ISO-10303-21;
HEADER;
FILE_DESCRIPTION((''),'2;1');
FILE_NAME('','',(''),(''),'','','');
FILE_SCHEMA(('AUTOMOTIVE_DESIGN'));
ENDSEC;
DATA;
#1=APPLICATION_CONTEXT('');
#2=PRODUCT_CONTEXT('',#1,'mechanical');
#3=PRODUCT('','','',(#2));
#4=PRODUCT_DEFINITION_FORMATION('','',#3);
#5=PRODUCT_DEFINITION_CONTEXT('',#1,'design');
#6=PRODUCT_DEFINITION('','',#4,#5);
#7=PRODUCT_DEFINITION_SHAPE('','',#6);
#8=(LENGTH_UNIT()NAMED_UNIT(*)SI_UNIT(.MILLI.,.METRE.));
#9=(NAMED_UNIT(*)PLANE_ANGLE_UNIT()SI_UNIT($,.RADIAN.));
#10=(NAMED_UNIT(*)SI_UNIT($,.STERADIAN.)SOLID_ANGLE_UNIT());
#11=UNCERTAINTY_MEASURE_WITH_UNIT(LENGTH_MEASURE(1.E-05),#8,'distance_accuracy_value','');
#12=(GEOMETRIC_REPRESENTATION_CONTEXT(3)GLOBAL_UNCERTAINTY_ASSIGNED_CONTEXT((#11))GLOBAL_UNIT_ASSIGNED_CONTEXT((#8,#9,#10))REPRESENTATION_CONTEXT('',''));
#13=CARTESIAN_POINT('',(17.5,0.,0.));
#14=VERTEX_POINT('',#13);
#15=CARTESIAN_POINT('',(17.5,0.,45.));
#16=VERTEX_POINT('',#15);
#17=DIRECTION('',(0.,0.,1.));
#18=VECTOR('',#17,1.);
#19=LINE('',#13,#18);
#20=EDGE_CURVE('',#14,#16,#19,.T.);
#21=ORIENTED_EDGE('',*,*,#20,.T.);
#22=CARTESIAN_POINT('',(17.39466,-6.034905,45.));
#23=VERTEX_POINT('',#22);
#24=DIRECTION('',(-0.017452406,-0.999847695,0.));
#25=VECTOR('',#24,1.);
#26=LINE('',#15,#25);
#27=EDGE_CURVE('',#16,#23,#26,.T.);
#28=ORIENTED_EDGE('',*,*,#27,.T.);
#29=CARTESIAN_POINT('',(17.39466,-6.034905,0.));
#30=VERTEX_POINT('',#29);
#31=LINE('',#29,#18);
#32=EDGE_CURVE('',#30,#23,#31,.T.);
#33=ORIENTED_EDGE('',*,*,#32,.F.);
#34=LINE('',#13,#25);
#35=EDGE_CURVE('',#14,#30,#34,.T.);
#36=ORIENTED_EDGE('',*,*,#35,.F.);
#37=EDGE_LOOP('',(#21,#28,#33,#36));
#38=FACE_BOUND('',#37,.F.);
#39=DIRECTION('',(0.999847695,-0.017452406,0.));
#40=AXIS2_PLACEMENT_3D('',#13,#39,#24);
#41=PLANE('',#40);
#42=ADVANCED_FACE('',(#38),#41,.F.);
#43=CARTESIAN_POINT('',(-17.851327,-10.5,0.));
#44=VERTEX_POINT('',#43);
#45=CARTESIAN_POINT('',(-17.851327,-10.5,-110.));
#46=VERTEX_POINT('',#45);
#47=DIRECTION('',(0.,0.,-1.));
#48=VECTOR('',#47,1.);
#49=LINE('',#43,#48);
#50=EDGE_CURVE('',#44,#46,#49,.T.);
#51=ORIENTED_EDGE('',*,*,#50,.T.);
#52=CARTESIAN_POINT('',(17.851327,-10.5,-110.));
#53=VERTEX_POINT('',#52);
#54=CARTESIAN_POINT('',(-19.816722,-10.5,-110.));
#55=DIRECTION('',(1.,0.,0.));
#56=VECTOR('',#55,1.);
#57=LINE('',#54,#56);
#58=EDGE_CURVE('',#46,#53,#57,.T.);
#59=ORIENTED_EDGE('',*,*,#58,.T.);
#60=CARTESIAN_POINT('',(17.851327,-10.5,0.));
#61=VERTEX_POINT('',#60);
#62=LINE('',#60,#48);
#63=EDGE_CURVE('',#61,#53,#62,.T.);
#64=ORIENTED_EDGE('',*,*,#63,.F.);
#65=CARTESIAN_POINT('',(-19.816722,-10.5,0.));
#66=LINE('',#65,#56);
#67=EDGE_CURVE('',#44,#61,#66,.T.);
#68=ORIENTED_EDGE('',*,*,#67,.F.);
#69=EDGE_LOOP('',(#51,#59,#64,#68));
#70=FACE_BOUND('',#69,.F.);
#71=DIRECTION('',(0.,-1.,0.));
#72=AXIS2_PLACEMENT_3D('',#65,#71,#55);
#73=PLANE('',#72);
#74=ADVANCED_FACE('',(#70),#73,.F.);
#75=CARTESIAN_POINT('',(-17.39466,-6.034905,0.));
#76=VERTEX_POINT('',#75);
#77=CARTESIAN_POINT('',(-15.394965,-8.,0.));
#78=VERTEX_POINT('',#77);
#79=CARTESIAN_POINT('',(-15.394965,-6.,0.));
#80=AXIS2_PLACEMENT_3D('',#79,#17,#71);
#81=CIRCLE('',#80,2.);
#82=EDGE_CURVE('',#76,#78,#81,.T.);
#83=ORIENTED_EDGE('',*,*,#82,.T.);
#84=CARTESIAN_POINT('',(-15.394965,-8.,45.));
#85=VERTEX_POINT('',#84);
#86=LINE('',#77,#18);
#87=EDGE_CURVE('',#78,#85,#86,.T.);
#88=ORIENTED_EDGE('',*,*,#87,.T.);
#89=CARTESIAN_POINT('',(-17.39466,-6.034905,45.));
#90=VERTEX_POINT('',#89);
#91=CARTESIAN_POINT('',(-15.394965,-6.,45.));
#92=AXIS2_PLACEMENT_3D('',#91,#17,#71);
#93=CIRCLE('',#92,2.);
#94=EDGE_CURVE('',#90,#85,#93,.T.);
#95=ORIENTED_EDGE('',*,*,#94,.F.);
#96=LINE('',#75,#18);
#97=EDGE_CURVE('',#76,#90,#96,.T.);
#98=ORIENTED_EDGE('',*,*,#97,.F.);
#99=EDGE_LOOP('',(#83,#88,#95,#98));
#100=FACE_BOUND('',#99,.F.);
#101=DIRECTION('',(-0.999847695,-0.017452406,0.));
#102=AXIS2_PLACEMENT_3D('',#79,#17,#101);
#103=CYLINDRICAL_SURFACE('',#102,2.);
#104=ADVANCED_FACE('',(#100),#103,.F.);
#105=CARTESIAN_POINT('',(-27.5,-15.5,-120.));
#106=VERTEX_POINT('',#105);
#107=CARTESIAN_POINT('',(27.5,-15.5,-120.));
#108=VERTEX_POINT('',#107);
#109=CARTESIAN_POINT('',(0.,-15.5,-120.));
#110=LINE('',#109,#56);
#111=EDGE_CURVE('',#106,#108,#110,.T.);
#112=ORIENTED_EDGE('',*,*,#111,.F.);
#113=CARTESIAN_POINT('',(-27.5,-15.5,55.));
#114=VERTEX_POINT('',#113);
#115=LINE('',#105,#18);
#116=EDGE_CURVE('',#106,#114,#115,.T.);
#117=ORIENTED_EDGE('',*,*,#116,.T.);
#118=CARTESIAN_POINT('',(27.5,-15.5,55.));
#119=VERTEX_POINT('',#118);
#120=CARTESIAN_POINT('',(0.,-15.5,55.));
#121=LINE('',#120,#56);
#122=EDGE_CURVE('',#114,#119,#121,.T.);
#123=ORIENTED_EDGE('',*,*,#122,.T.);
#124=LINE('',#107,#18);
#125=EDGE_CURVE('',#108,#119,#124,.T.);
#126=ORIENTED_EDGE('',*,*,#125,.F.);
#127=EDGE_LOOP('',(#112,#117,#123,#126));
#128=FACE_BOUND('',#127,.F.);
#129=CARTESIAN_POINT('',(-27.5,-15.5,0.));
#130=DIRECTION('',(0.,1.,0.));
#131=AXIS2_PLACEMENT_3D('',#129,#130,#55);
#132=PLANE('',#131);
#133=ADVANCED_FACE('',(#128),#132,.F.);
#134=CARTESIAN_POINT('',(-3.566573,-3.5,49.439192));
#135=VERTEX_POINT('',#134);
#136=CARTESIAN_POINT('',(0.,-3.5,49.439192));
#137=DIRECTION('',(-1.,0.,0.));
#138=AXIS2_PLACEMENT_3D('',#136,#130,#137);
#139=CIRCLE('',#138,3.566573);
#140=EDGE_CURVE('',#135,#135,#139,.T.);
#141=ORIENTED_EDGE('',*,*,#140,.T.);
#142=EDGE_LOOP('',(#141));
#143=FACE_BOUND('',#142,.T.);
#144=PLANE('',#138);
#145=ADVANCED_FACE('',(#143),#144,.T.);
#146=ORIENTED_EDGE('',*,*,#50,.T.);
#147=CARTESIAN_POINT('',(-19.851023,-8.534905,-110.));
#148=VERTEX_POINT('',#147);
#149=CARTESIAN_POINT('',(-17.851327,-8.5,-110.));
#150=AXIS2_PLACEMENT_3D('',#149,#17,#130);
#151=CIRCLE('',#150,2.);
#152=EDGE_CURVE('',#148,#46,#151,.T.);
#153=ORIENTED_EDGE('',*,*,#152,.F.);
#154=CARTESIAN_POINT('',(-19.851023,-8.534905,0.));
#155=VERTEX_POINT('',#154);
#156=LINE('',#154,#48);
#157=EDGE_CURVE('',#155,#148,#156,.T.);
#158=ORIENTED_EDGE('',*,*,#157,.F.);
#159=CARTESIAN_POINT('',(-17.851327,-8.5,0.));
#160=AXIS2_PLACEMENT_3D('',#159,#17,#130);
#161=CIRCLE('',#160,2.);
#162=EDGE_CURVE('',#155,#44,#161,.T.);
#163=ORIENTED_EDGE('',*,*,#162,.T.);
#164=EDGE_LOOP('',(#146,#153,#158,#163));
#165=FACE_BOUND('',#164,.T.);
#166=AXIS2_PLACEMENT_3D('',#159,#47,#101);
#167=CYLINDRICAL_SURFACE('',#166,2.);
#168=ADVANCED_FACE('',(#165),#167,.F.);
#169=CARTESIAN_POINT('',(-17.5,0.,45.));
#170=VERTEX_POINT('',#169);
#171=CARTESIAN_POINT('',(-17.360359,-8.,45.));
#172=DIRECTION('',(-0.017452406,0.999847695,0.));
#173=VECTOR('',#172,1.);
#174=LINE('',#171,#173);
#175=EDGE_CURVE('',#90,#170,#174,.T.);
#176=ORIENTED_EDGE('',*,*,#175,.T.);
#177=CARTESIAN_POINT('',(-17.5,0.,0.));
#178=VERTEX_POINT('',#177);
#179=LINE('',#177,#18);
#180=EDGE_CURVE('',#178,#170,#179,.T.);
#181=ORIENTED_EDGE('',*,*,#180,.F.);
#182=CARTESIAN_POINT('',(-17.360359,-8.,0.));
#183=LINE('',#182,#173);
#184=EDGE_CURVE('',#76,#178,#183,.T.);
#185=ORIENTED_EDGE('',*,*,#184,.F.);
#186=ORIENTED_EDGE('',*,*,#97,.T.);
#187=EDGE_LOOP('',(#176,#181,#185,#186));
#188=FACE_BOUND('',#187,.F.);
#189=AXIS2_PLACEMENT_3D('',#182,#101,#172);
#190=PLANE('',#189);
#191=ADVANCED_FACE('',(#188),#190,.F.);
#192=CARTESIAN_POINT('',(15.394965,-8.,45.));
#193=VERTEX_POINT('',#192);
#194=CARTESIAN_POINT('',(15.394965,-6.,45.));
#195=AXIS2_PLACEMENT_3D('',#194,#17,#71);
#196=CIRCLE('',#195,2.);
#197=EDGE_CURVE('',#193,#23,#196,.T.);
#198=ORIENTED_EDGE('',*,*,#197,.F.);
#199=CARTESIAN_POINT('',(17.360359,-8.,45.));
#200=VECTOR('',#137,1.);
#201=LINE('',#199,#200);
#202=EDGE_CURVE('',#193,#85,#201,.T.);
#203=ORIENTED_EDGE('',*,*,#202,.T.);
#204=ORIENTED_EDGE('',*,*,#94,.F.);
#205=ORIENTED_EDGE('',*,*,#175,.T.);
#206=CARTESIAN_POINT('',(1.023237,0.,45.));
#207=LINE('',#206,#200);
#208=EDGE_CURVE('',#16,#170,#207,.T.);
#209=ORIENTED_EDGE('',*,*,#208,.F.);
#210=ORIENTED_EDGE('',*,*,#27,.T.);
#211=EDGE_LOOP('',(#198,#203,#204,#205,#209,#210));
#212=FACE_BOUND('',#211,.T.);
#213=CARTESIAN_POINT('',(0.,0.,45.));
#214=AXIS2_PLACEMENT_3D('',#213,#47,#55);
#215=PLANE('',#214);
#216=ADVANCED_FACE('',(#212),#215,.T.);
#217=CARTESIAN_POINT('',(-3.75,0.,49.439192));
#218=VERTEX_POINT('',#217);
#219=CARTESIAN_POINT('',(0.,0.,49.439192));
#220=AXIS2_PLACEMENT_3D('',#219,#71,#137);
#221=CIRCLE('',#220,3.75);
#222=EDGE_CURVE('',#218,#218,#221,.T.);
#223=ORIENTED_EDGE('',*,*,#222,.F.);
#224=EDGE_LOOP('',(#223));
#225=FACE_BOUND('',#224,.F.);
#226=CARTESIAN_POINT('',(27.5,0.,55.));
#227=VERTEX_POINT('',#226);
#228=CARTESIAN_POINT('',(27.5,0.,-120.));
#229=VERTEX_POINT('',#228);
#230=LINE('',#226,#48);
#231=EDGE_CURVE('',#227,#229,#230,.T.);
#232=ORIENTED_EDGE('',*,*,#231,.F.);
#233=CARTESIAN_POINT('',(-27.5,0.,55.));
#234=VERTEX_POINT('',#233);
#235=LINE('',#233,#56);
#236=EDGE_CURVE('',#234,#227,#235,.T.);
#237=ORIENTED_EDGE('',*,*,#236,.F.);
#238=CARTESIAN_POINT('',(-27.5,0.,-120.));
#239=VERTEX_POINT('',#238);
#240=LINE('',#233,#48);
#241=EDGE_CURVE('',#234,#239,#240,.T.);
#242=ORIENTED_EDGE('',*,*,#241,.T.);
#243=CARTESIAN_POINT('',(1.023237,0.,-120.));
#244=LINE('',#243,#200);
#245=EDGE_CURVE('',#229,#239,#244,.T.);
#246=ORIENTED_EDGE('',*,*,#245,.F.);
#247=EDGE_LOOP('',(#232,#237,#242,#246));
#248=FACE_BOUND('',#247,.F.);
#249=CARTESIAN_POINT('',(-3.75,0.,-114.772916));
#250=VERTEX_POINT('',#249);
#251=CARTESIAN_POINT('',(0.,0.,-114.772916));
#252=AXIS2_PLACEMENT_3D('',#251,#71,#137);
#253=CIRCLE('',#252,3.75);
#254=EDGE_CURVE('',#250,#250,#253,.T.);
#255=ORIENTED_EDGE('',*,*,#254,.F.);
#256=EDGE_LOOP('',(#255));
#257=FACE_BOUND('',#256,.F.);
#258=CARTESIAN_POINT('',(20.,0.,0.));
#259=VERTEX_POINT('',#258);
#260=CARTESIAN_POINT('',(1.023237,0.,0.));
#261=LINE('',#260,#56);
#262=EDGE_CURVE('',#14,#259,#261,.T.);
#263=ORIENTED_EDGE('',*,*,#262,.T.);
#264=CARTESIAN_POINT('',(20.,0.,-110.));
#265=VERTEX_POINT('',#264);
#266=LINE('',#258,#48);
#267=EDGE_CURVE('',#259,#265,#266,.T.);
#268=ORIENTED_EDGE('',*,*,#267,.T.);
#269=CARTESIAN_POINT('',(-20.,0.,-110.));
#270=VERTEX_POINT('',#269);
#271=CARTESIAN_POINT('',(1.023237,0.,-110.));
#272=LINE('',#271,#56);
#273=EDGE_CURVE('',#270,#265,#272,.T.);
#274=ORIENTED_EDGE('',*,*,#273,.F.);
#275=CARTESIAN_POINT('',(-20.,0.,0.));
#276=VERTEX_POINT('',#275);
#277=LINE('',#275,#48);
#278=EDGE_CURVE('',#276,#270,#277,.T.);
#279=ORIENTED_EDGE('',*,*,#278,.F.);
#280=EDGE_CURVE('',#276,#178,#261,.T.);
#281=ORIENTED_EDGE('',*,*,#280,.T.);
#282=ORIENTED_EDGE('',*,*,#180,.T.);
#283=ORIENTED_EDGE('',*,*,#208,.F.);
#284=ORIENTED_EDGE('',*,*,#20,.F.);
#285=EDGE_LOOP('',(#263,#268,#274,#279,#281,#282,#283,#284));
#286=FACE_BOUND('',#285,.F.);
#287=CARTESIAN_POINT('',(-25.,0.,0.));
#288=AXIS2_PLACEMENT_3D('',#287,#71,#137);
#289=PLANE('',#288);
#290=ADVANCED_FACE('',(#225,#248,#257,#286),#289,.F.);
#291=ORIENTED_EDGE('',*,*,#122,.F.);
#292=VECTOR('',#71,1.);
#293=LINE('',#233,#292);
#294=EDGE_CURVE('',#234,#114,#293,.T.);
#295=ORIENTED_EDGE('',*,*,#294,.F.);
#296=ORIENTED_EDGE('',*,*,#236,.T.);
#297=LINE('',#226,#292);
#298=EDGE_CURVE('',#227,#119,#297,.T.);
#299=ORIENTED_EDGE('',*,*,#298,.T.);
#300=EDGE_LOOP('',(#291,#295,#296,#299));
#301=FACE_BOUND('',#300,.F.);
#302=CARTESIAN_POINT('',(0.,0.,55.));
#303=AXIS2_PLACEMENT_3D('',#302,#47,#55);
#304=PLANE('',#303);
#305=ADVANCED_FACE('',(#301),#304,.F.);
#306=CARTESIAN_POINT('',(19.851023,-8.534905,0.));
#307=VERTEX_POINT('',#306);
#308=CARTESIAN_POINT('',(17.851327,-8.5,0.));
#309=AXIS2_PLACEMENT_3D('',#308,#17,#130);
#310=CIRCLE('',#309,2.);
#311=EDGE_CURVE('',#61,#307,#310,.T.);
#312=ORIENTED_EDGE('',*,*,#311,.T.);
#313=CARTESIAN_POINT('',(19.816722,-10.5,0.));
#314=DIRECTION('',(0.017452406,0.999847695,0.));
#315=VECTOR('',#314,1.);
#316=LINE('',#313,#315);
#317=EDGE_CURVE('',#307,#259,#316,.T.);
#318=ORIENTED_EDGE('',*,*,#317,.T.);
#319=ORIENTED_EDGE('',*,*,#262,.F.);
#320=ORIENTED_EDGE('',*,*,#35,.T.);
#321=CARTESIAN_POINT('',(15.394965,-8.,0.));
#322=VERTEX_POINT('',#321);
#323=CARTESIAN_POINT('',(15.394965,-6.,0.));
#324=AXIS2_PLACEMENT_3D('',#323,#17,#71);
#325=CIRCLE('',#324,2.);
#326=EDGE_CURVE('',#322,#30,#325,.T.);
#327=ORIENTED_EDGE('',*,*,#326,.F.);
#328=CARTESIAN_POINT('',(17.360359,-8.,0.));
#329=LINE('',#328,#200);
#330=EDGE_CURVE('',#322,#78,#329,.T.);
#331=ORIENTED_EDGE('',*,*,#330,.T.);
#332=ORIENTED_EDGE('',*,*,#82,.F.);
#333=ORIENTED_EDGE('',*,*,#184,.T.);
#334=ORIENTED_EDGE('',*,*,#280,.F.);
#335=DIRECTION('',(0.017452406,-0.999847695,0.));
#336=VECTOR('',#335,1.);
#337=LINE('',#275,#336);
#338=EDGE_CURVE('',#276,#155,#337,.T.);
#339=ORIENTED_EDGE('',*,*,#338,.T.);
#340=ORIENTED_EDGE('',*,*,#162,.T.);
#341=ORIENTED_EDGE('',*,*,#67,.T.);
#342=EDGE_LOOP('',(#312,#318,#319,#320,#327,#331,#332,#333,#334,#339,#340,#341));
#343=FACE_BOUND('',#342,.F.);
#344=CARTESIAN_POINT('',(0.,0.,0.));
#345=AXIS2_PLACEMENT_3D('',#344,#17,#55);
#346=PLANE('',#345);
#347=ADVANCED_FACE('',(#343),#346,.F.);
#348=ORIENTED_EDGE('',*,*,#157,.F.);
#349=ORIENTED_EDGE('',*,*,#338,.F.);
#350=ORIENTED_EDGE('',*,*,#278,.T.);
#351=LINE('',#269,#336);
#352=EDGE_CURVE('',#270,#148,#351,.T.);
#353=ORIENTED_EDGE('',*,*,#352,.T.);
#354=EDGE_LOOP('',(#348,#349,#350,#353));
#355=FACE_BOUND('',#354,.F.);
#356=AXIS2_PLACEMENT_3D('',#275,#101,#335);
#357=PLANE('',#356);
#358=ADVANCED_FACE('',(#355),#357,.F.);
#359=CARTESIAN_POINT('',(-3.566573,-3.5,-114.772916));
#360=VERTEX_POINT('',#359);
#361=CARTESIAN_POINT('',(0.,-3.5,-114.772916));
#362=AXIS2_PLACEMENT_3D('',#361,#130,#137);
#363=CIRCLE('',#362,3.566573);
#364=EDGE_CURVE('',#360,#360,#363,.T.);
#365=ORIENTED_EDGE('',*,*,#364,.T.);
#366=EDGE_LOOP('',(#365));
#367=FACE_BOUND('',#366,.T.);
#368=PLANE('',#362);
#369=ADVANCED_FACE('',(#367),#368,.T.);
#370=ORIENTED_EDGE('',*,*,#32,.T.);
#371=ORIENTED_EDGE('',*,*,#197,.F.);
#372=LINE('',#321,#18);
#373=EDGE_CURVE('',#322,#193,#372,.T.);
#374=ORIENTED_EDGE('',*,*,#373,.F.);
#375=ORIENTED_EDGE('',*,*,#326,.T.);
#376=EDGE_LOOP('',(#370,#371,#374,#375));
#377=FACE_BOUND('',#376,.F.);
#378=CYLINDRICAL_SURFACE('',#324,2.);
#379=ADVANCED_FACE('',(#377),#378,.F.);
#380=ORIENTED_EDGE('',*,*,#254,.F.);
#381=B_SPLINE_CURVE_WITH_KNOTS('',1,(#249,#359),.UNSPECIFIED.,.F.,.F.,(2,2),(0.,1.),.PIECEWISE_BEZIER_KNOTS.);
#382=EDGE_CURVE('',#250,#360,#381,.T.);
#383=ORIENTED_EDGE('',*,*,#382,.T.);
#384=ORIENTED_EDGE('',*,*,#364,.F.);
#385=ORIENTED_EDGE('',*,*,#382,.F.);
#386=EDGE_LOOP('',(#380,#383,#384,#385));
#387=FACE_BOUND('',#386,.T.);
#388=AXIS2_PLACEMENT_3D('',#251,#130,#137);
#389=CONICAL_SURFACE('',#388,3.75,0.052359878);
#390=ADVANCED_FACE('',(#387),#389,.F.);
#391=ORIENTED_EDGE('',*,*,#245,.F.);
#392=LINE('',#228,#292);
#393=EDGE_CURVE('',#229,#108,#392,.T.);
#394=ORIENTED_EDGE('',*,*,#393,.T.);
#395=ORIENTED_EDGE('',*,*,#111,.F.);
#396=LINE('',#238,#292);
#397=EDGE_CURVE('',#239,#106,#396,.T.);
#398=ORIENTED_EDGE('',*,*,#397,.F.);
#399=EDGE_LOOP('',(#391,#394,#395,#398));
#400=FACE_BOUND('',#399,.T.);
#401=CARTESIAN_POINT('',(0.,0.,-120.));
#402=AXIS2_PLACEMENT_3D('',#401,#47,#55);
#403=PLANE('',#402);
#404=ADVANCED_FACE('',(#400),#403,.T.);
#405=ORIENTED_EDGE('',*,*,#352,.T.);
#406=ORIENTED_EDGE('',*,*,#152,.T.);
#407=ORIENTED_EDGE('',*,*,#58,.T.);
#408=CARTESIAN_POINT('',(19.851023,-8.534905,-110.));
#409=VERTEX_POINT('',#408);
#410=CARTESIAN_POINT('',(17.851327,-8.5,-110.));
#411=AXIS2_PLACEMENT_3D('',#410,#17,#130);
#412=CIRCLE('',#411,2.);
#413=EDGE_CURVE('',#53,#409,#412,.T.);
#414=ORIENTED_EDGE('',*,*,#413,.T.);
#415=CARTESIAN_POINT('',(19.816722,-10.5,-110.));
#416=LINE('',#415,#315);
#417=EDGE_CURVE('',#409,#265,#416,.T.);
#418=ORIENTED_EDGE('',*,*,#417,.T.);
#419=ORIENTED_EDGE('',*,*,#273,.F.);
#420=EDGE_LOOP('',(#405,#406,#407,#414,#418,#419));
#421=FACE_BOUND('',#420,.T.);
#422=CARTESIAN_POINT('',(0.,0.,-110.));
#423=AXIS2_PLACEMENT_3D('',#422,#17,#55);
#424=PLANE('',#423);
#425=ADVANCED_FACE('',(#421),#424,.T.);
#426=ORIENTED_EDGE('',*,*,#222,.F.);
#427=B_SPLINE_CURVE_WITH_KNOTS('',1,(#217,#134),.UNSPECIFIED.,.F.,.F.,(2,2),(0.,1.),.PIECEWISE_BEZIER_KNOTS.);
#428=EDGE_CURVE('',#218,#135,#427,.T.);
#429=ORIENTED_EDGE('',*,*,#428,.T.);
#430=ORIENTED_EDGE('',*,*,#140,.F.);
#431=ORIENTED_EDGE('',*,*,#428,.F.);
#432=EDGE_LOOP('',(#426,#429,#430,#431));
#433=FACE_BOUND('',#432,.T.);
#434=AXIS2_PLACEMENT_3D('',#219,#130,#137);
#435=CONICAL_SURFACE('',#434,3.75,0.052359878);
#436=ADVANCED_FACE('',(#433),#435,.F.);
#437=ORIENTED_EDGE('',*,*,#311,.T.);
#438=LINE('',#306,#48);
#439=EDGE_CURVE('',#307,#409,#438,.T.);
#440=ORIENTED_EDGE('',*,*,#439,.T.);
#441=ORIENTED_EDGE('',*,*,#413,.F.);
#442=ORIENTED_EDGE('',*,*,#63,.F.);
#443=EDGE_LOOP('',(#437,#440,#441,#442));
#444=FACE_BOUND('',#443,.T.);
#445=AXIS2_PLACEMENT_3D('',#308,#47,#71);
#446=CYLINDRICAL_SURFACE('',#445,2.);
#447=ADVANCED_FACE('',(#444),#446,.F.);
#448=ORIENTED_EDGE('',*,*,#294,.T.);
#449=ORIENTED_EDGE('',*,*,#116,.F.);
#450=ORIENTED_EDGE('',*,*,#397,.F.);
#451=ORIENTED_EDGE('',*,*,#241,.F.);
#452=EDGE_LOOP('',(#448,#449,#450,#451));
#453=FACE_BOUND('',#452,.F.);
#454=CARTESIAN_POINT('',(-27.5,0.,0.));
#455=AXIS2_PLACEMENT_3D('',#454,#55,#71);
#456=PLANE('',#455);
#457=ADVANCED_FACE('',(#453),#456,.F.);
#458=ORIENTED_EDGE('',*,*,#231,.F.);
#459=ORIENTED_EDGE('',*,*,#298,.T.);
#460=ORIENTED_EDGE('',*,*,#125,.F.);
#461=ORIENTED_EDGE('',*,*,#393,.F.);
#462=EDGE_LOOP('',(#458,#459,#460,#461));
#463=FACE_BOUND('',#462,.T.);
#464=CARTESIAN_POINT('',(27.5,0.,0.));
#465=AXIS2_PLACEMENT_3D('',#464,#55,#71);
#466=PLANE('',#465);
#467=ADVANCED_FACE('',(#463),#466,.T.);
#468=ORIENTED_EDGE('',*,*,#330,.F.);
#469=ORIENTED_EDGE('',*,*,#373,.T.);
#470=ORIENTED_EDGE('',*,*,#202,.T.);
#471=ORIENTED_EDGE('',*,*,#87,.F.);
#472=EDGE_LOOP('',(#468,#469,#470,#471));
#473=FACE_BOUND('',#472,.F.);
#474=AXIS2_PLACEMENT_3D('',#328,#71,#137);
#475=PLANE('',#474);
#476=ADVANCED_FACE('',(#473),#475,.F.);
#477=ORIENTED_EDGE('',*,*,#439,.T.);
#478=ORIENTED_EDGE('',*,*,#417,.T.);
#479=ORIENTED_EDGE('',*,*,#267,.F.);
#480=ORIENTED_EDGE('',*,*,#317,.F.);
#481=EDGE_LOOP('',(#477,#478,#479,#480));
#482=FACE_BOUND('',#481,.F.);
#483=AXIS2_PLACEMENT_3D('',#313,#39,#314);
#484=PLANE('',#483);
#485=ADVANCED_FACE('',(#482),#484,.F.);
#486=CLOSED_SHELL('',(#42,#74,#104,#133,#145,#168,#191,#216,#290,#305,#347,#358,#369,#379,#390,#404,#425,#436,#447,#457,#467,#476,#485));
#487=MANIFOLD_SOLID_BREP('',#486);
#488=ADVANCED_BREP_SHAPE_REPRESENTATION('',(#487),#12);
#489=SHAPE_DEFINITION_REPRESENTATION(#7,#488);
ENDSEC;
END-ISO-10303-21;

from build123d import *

# Parameters (mm, degrees)
F0_W      = 50
F0_H      = 26
F1_DEPTH  = 55
F3_DEPTH  = 45
F4_R      = 2
F5_R      = 2
F6_W      = 55
F6_H      = 31
F7_DEPTH  = 120
F9_DEPTH  = 110
F10_R     = 2
F11_W     = 193.8701719046
F11_H     = 235.1342812181
F12_DEPTH = 15.501
F13_R     = 3.75
F14_DEPTH = 3.5
F14_TAPER = 3
F15_DEPTH = 55


with BuildPart() as f1:
    # F0 (on Top) → F1 (new body)
    with BuildSketch(Plane.XY):
        Rectangle(F0_W, F0_H)
    extrude(amount=F1_DEPTH)

    # F2 (on face) → F3 (cut)
    with BuildSketch(Plane(origin=(0, 0, 0), x_dir=(1, 0, 0), z_dir=(0, 0, -1))):
        Polygon((-17.3603594806, -8), (17.3603594806, -8), (17.5, 0), (17.3603594806, 8), (-17.3603594806, 8), (-17.5, 0), align=None)
    extrude(amount=-F3_DEPTH, mode=Mode.SUBTRACT)

    # F4
    f4_edges = [f1.edges().sort_by_distance(p)[0] for p in [
        (-17.360359, 8, 22.5),
        (17.360359, 8, 22.5),
    ]]
    fillet(f4_edges, radius=F4_R)

    # F5
    f5_edges = [f1.edges().sort_by_distance(p)[0] for p in [
        (-17.360359, -8, 22.5),
        (17.360359, -8, 22.5),
    ]]
    fillet(f5_edges, radius=F5_R)

    # F6 (on face) → F7 (join)
    with BuildSketch(Plane(origin=(0, 0, 0), x_dir=(1, 0, 0), z_dir=(0, 0, -1))):
        Rectangle(F6_W, F6_H)
    extrude(amount=F7_DEPTH)

    # F8 (on face) → F9 (cut)
    with BuildSketch(Plane.XY):
        Polygon((-19.8167218183, 10.5), (-20, 0), (-19.8167218183, -10.5), (19.8167218183, -10.5), (20, 0), (19.8167218183, 10.5), align=None)
    extrude(amount=-F9_DEPTH, mode=Mode.SUBTRACT)

    # F10
    f10_edges = [f1.edges().sort_by_distance(p)[0] for p in [
        (-19.816722, -10.5, -55),
        (19.816722, -10.5, -55),
        (-19.816722, 10.5, -55),
        (19.816722, 10.5, -55),
    ]]
    fillet(f10_edges, radius=F10_R)

    # F11 (on Front) → F12 (cut, through all)
    with BuildSketch(Plane.XZ):
        with Locations((2.0464733243, -30.8961831033)):
            Rectangle(F11_W, F11_H)
    extrude(amount=-F12_DEPTH, mode=Mode.SUBTRACT)

    # F13 (on face) → F14 (cut)
    with BuildSketch(Plane(origin=(0, 0, 0), x_dir=(-1, 0, 0), z_dir=(0, 1, 0))):
        with Locations((0, 49.4391918182)):
            Circle(F13_R)
        with Locations((0, -114.7729158401)):
            Circle(F13_R)
    extrude(amount=-F14_DEPTH, taper=F14_TAPER, mode=Mode.SUBTRACT)

    # F15 (add, through all): a face of the model
    f15_faces = [f1.faces().sort_by_distance(p)[0] for p in [
        (-26.9285763393, -7.75, 0),
    ]]
    extrude(f15_faces, amount=F15_DEPTH)


solid = f1.part
